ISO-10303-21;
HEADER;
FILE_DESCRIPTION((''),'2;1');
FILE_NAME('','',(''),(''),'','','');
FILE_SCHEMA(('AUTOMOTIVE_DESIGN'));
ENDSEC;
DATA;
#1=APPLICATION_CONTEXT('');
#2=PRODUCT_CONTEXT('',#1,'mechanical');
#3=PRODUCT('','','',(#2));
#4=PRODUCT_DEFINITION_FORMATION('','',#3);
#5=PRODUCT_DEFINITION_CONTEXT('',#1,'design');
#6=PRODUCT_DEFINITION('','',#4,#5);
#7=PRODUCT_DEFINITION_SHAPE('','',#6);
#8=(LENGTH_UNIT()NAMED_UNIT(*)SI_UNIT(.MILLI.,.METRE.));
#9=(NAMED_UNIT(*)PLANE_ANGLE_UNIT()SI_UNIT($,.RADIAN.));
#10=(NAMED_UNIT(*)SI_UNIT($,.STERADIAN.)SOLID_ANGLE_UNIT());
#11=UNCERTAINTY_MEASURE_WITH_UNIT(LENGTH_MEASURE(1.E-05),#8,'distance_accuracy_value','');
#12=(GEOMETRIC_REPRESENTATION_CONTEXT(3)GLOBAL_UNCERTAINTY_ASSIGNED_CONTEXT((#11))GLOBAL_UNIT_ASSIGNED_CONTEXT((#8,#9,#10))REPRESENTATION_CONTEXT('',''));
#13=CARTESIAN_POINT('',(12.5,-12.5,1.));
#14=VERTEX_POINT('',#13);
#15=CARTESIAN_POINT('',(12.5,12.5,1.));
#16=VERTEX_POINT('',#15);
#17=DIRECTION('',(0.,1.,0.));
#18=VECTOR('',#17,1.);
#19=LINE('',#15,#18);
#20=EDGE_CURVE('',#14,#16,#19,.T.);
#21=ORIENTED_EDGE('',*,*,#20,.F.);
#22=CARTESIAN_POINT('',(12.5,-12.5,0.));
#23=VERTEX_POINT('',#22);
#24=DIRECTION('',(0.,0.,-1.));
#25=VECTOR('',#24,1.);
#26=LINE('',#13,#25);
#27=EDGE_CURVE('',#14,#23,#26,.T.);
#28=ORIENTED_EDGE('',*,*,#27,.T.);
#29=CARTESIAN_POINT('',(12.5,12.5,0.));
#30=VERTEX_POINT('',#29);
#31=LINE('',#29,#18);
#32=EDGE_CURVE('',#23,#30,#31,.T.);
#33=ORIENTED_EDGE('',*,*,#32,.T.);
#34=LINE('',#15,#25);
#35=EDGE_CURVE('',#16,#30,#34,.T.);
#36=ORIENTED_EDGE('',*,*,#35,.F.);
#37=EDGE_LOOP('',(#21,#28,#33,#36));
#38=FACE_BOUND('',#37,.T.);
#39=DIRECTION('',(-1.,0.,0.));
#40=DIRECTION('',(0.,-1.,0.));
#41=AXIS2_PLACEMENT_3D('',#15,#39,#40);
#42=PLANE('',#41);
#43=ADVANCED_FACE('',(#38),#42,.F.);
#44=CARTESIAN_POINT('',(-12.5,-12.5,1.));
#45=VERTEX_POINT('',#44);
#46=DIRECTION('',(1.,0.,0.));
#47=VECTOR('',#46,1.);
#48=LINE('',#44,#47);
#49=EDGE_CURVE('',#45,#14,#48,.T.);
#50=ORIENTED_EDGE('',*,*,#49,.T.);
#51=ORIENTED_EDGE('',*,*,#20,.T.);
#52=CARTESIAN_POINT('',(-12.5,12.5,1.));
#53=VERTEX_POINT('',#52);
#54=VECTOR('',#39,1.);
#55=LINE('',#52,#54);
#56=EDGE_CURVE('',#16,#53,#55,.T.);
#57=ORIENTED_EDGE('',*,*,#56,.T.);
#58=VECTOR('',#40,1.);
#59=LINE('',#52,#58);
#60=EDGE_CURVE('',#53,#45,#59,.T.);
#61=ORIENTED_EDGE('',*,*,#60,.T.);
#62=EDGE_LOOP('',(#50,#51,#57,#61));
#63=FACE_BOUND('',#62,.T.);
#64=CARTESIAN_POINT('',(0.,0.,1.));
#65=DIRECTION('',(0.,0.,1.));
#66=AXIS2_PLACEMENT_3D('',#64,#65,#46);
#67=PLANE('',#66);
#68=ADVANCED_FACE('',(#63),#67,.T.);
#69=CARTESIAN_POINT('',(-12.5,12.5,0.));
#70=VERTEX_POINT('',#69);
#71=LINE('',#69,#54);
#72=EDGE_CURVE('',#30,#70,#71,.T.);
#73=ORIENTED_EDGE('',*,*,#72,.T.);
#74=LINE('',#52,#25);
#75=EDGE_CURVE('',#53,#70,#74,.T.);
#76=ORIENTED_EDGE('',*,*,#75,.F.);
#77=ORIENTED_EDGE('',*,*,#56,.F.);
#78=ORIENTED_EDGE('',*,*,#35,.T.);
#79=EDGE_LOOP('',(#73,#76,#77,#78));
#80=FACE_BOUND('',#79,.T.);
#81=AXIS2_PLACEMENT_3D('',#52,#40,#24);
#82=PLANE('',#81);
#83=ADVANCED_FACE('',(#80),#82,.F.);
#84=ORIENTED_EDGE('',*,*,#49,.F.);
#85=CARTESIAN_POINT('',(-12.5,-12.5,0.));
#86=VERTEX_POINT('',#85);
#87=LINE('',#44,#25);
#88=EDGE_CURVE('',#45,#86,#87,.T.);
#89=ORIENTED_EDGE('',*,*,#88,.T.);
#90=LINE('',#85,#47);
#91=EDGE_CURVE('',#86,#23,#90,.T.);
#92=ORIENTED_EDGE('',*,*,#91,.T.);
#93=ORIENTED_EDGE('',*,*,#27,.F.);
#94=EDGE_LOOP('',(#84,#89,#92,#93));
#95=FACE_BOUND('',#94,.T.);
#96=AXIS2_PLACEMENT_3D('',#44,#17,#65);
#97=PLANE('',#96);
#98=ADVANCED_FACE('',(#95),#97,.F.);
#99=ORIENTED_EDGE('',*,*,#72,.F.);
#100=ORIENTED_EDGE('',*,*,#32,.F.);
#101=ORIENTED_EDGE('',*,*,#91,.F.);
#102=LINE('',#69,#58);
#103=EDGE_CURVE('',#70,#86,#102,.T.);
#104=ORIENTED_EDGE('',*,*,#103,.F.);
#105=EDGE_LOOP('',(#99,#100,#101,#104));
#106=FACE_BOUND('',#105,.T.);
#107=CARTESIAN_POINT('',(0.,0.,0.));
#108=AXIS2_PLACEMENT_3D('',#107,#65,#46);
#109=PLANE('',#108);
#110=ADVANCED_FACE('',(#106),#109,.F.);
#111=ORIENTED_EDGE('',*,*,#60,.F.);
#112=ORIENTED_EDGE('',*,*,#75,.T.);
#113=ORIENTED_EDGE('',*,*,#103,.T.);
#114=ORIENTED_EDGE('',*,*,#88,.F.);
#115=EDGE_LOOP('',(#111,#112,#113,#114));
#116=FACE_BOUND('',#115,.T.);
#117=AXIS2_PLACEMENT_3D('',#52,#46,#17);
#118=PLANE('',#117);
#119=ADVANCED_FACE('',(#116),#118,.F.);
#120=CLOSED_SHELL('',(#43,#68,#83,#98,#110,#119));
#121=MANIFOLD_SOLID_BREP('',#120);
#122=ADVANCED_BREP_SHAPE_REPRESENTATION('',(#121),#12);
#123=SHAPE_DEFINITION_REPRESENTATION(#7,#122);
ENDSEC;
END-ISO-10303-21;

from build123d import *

# Parameters (mm, degrees)
SKETCH1_W           = 25
SKETCH1_H           = 25
BOSS_EXTRUDE1_DEPTH = 1


with BuildPart() as part:
    # Sketch1 → Boss-Extrude1 (new body)
    with BuildSketch(Plane.XY):
        Rectangle(SKETCH1_W, SKETCH1_H)
    extrude(amount=BOSS_EXTRUDE1_DEPTH)


solid = part.part
